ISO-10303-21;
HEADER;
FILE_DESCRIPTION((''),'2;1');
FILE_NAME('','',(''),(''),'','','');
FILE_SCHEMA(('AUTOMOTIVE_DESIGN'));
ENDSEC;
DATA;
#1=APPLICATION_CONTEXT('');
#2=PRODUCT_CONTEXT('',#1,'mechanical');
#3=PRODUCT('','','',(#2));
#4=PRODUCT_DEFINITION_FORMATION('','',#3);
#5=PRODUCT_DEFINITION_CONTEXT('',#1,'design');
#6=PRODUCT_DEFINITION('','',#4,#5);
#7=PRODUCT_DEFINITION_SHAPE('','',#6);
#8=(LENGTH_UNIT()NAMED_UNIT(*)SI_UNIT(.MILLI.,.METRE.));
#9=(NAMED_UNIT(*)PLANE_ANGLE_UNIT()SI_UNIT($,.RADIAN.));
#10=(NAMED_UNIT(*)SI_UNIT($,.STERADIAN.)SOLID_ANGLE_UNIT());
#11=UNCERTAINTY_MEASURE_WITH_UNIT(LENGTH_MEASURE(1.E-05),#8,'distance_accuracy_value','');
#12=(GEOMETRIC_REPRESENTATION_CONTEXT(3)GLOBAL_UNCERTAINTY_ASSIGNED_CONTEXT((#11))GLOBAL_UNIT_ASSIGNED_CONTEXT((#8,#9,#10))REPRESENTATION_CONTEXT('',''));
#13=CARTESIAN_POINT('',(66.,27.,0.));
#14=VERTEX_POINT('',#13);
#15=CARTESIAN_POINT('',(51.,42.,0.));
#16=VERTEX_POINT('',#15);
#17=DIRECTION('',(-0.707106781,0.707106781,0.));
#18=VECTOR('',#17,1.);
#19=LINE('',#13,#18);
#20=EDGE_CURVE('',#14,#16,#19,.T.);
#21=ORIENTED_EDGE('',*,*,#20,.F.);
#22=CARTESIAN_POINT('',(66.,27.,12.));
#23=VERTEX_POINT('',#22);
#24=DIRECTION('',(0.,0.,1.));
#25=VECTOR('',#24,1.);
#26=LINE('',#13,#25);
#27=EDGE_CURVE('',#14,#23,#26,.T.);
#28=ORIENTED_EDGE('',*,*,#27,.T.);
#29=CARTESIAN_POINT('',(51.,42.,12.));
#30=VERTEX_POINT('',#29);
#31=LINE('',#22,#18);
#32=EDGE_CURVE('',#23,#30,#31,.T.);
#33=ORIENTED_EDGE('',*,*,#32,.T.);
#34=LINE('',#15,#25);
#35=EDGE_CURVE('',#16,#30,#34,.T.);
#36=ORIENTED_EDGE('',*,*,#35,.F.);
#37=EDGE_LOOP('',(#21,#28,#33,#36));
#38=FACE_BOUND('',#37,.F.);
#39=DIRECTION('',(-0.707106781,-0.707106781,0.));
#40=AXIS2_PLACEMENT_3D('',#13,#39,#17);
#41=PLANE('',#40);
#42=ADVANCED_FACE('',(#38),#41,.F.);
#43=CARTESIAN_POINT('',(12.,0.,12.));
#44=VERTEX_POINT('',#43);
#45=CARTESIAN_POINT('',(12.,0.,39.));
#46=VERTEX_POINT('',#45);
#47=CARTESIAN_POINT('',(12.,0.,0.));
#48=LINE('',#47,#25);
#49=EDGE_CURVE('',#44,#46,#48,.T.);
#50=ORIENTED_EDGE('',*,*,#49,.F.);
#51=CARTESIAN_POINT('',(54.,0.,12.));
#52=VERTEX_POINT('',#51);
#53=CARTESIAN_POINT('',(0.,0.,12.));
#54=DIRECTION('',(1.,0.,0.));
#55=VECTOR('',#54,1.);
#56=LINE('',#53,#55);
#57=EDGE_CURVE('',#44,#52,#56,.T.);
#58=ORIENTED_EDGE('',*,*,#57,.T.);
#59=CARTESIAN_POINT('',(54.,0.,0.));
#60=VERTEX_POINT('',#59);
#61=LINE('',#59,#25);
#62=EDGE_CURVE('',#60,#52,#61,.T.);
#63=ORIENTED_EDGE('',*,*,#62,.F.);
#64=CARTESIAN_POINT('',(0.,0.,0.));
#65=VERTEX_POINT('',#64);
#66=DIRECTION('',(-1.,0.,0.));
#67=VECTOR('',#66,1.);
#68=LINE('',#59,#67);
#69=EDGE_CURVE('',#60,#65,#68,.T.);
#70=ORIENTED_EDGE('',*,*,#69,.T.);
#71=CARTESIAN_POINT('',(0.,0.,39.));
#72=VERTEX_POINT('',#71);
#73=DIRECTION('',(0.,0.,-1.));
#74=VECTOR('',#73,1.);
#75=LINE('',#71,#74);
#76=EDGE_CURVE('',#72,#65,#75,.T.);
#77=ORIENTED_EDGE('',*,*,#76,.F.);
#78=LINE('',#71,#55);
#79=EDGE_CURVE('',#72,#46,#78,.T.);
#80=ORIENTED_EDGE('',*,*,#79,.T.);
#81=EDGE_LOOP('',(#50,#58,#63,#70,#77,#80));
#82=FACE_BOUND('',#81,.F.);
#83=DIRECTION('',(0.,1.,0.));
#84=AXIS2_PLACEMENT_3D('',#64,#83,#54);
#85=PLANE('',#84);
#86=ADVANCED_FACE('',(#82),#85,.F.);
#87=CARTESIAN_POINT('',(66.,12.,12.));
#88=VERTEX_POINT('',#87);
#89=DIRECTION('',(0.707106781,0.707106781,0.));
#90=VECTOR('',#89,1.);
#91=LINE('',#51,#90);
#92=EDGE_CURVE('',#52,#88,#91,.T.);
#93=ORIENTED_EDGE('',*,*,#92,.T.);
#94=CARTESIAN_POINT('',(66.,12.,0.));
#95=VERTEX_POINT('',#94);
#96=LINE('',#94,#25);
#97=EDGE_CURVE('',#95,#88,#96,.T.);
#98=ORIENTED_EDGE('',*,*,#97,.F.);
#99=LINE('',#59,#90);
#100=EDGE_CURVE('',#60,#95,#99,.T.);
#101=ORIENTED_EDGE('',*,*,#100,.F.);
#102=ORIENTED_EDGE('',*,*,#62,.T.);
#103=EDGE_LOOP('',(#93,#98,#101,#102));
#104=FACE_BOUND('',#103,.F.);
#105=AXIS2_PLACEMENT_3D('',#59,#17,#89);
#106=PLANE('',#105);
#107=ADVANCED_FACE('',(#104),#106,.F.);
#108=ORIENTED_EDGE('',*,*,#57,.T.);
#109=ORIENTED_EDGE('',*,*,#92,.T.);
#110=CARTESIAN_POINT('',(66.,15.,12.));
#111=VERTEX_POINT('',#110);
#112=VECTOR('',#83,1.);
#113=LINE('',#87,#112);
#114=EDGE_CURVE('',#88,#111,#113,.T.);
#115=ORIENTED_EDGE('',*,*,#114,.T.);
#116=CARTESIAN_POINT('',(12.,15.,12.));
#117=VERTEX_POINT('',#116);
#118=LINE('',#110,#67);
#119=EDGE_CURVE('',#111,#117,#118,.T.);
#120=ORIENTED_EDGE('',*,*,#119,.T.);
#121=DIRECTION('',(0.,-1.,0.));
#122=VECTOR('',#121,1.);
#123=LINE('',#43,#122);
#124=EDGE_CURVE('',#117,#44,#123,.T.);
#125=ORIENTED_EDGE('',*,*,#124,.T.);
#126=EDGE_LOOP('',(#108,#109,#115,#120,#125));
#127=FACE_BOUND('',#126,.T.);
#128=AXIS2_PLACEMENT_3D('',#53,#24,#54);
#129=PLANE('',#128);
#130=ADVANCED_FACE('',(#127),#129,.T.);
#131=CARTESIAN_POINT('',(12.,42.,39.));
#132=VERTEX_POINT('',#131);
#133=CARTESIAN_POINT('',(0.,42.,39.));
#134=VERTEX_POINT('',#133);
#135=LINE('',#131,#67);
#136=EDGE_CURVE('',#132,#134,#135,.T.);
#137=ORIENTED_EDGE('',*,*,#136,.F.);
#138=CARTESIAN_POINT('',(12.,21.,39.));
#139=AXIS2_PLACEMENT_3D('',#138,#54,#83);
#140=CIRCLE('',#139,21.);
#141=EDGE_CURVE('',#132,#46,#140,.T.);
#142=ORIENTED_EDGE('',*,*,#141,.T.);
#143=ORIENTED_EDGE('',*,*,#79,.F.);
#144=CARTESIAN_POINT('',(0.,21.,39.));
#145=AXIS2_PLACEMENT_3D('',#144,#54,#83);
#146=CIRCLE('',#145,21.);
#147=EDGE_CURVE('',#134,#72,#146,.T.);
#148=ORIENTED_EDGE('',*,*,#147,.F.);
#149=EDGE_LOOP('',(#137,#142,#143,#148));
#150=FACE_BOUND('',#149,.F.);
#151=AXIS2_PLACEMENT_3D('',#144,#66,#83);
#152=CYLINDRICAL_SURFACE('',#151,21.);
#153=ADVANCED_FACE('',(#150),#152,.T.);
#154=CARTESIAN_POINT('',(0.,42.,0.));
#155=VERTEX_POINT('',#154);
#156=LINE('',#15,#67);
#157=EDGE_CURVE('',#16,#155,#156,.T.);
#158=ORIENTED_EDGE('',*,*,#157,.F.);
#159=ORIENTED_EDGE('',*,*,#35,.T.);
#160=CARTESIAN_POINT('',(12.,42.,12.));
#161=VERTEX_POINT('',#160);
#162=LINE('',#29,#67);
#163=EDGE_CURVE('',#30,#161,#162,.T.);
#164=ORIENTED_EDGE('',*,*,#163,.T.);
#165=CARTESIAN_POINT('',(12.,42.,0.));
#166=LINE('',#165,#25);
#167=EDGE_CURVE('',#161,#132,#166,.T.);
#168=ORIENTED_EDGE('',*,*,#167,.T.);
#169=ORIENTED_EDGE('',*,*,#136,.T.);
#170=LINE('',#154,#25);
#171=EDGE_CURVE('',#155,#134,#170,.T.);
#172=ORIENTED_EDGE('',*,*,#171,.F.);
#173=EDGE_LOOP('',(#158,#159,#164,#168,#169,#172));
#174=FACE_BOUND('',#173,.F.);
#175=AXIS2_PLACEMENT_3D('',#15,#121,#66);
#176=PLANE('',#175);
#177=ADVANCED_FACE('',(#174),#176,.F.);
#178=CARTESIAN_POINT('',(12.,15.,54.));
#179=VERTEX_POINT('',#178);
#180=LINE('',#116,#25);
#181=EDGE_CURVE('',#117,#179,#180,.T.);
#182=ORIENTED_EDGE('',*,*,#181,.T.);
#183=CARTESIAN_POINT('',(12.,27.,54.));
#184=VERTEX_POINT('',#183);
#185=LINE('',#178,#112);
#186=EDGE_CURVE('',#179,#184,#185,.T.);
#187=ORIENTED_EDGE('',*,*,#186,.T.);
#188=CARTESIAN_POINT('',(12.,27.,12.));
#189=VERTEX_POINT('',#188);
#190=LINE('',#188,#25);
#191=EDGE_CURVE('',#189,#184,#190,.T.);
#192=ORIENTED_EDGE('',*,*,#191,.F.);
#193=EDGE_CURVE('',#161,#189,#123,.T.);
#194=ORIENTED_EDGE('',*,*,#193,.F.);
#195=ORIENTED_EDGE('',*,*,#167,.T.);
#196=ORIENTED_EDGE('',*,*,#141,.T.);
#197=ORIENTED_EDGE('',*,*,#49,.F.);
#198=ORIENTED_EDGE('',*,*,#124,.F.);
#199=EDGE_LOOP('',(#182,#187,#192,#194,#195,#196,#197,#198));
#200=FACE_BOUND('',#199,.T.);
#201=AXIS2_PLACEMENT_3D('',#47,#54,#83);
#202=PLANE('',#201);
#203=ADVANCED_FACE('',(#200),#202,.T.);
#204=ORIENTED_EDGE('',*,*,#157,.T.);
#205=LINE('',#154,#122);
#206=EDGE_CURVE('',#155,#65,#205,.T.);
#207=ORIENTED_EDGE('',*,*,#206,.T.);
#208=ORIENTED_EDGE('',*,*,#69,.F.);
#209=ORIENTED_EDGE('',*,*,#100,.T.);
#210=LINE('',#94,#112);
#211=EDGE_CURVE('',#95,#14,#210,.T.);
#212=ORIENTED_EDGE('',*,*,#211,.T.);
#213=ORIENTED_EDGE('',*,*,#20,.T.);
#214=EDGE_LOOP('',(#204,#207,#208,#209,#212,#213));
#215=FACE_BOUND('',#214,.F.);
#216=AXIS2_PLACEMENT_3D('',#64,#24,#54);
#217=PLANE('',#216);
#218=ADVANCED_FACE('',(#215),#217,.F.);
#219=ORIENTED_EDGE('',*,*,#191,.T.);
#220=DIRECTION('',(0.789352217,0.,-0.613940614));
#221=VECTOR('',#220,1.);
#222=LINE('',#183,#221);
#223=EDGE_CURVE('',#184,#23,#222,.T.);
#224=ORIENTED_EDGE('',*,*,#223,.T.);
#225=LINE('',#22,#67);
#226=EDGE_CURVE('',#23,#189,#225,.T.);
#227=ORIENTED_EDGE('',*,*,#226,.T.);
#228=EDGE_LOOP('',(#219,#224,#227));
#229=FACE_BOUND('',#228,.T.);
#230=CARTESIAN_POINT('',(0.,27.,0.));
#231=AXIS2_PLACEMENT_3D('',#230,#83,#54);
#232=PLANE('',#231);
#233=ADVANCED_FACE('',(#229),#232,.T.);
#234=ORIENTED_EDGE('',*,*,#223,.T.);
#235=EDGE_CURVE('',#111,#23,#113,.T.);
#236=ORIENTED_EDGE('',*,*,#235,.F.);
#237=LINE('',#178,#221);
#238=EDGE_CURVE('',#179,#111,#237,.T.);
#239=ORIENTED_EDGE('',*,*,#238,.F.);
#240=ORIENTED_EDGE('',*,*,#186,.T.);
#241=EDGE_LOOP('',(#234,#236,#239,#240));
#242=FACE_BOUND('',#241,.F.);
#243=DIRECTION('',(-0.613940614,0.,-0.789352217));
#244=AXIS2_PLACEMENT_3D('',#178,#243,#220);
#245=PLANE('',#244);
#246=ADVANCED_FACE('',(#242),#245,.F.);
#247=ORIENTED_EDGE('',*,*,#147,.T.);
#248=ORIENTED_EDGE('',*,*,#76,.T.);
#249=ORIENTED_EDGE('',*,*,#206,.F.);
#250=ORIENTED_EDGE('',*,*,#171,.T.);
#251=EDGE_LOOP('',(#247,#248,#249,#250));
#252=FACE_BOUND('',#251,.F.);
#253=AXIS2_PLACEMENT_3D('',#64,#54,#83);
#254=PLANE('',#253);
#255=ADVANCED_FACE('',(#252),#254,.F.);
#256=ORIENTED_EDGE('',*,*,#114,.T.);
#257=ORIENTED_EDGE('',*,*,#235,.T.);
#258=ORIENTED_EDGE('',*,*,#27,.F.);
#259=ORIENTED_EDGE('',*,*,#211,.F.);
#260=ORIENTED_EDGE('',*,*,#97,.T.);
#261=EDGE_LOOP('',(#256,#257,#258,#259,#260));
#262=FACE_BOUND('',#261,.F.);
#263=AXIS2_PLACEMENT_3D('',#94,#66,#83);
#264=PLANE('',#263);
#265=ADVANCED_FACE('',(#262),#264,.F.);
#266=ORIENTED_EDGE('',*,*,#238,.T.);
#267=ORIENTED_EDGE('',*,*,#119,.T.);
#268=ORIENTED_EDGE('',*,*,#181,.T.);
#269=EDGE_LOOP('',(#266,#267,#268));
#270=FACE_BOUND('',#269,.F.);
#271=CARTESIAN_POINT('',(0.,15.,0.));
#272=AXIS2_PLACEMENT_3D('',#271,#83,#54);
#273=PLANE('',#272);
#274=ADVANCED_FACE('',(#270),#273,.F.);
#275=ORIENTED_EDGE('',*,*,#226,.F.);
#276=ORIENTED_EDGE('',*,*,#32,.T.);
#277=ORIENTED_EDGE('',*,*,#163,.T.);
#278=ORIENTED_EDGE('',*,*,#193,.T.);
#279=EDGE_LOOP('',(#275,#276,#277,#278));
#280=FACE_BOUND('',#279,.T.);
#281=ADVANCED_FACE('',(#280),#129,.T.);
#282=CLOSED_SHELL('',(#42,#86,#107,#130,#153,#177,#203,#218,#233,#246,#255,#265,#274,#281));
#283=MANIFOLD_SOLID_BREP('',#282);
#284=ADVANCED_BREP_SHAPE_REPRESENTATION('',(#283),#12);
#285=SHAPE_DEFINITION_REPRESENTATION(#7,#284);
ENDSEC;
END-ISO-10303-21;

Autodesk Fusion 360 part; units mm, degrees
sketch "Sketch1" plane through (0, 0, 0) normal (0, 0, 1) x (1, 0, 0)
  line L0 (51, 42) -> (0, 42)
  line L1 (0, 42) -> (0, 0)
  line L2 (0, 0) -> (54, 0)
  line L3 (54, 0) -> (66, 12)
  line L4 (66, 12) -> (66, 27)
  line L5 (66, 27) -> (51, 42)
extrude "Extrude1" add sketch "Sketch1" along normal blind 12 makes body 1
sketch "Sketch2" plane through (0, 0, 0) normal (0, 0, 1) x (1, 0, 0)
  line L0 (0, 0) -> (12, 0)
  line L1 (12, 0) -> (12, 42)
  line L2 (12, 42) -> (0, 42)
  line L3 (0, 42) -> (0, 0)
extrude "Extrude2" add sketch "Sketch2" along normal blind 39 bodies 1
sketch "Sketch3" plane through (0, 0, 0) normal (1, 0, 0) x (0, 1, 0)
  line L0 (42, 39) -> (0, 39)
  arc A0 (42, 39) -> (0, 39) centre (21, 39) ccw
extrude "Extrude3" add sketch "Sketch3" along normal blind 12 bodies 1
sketch "Sketch4" plane through (0, 0, 0) normal (0, 1, 0) x (1, 0, 0)
  line L0 (12, -12) -> (12, -54)
  line L1 (12, -54) -> (66, -12)
  line L2 (66, -12) -> (12, -12)
extrude "Extrude4" add sketch "Sketch4" along normal blind 12 separate body makes body 2
move_body "Move1" bodies 2 to x (1, 0, 0) y (0, 1, 0) z (0, 0, 1) at (0, 15, 0)
combine "Combine1" operation add target body 1 tool bodies 2
